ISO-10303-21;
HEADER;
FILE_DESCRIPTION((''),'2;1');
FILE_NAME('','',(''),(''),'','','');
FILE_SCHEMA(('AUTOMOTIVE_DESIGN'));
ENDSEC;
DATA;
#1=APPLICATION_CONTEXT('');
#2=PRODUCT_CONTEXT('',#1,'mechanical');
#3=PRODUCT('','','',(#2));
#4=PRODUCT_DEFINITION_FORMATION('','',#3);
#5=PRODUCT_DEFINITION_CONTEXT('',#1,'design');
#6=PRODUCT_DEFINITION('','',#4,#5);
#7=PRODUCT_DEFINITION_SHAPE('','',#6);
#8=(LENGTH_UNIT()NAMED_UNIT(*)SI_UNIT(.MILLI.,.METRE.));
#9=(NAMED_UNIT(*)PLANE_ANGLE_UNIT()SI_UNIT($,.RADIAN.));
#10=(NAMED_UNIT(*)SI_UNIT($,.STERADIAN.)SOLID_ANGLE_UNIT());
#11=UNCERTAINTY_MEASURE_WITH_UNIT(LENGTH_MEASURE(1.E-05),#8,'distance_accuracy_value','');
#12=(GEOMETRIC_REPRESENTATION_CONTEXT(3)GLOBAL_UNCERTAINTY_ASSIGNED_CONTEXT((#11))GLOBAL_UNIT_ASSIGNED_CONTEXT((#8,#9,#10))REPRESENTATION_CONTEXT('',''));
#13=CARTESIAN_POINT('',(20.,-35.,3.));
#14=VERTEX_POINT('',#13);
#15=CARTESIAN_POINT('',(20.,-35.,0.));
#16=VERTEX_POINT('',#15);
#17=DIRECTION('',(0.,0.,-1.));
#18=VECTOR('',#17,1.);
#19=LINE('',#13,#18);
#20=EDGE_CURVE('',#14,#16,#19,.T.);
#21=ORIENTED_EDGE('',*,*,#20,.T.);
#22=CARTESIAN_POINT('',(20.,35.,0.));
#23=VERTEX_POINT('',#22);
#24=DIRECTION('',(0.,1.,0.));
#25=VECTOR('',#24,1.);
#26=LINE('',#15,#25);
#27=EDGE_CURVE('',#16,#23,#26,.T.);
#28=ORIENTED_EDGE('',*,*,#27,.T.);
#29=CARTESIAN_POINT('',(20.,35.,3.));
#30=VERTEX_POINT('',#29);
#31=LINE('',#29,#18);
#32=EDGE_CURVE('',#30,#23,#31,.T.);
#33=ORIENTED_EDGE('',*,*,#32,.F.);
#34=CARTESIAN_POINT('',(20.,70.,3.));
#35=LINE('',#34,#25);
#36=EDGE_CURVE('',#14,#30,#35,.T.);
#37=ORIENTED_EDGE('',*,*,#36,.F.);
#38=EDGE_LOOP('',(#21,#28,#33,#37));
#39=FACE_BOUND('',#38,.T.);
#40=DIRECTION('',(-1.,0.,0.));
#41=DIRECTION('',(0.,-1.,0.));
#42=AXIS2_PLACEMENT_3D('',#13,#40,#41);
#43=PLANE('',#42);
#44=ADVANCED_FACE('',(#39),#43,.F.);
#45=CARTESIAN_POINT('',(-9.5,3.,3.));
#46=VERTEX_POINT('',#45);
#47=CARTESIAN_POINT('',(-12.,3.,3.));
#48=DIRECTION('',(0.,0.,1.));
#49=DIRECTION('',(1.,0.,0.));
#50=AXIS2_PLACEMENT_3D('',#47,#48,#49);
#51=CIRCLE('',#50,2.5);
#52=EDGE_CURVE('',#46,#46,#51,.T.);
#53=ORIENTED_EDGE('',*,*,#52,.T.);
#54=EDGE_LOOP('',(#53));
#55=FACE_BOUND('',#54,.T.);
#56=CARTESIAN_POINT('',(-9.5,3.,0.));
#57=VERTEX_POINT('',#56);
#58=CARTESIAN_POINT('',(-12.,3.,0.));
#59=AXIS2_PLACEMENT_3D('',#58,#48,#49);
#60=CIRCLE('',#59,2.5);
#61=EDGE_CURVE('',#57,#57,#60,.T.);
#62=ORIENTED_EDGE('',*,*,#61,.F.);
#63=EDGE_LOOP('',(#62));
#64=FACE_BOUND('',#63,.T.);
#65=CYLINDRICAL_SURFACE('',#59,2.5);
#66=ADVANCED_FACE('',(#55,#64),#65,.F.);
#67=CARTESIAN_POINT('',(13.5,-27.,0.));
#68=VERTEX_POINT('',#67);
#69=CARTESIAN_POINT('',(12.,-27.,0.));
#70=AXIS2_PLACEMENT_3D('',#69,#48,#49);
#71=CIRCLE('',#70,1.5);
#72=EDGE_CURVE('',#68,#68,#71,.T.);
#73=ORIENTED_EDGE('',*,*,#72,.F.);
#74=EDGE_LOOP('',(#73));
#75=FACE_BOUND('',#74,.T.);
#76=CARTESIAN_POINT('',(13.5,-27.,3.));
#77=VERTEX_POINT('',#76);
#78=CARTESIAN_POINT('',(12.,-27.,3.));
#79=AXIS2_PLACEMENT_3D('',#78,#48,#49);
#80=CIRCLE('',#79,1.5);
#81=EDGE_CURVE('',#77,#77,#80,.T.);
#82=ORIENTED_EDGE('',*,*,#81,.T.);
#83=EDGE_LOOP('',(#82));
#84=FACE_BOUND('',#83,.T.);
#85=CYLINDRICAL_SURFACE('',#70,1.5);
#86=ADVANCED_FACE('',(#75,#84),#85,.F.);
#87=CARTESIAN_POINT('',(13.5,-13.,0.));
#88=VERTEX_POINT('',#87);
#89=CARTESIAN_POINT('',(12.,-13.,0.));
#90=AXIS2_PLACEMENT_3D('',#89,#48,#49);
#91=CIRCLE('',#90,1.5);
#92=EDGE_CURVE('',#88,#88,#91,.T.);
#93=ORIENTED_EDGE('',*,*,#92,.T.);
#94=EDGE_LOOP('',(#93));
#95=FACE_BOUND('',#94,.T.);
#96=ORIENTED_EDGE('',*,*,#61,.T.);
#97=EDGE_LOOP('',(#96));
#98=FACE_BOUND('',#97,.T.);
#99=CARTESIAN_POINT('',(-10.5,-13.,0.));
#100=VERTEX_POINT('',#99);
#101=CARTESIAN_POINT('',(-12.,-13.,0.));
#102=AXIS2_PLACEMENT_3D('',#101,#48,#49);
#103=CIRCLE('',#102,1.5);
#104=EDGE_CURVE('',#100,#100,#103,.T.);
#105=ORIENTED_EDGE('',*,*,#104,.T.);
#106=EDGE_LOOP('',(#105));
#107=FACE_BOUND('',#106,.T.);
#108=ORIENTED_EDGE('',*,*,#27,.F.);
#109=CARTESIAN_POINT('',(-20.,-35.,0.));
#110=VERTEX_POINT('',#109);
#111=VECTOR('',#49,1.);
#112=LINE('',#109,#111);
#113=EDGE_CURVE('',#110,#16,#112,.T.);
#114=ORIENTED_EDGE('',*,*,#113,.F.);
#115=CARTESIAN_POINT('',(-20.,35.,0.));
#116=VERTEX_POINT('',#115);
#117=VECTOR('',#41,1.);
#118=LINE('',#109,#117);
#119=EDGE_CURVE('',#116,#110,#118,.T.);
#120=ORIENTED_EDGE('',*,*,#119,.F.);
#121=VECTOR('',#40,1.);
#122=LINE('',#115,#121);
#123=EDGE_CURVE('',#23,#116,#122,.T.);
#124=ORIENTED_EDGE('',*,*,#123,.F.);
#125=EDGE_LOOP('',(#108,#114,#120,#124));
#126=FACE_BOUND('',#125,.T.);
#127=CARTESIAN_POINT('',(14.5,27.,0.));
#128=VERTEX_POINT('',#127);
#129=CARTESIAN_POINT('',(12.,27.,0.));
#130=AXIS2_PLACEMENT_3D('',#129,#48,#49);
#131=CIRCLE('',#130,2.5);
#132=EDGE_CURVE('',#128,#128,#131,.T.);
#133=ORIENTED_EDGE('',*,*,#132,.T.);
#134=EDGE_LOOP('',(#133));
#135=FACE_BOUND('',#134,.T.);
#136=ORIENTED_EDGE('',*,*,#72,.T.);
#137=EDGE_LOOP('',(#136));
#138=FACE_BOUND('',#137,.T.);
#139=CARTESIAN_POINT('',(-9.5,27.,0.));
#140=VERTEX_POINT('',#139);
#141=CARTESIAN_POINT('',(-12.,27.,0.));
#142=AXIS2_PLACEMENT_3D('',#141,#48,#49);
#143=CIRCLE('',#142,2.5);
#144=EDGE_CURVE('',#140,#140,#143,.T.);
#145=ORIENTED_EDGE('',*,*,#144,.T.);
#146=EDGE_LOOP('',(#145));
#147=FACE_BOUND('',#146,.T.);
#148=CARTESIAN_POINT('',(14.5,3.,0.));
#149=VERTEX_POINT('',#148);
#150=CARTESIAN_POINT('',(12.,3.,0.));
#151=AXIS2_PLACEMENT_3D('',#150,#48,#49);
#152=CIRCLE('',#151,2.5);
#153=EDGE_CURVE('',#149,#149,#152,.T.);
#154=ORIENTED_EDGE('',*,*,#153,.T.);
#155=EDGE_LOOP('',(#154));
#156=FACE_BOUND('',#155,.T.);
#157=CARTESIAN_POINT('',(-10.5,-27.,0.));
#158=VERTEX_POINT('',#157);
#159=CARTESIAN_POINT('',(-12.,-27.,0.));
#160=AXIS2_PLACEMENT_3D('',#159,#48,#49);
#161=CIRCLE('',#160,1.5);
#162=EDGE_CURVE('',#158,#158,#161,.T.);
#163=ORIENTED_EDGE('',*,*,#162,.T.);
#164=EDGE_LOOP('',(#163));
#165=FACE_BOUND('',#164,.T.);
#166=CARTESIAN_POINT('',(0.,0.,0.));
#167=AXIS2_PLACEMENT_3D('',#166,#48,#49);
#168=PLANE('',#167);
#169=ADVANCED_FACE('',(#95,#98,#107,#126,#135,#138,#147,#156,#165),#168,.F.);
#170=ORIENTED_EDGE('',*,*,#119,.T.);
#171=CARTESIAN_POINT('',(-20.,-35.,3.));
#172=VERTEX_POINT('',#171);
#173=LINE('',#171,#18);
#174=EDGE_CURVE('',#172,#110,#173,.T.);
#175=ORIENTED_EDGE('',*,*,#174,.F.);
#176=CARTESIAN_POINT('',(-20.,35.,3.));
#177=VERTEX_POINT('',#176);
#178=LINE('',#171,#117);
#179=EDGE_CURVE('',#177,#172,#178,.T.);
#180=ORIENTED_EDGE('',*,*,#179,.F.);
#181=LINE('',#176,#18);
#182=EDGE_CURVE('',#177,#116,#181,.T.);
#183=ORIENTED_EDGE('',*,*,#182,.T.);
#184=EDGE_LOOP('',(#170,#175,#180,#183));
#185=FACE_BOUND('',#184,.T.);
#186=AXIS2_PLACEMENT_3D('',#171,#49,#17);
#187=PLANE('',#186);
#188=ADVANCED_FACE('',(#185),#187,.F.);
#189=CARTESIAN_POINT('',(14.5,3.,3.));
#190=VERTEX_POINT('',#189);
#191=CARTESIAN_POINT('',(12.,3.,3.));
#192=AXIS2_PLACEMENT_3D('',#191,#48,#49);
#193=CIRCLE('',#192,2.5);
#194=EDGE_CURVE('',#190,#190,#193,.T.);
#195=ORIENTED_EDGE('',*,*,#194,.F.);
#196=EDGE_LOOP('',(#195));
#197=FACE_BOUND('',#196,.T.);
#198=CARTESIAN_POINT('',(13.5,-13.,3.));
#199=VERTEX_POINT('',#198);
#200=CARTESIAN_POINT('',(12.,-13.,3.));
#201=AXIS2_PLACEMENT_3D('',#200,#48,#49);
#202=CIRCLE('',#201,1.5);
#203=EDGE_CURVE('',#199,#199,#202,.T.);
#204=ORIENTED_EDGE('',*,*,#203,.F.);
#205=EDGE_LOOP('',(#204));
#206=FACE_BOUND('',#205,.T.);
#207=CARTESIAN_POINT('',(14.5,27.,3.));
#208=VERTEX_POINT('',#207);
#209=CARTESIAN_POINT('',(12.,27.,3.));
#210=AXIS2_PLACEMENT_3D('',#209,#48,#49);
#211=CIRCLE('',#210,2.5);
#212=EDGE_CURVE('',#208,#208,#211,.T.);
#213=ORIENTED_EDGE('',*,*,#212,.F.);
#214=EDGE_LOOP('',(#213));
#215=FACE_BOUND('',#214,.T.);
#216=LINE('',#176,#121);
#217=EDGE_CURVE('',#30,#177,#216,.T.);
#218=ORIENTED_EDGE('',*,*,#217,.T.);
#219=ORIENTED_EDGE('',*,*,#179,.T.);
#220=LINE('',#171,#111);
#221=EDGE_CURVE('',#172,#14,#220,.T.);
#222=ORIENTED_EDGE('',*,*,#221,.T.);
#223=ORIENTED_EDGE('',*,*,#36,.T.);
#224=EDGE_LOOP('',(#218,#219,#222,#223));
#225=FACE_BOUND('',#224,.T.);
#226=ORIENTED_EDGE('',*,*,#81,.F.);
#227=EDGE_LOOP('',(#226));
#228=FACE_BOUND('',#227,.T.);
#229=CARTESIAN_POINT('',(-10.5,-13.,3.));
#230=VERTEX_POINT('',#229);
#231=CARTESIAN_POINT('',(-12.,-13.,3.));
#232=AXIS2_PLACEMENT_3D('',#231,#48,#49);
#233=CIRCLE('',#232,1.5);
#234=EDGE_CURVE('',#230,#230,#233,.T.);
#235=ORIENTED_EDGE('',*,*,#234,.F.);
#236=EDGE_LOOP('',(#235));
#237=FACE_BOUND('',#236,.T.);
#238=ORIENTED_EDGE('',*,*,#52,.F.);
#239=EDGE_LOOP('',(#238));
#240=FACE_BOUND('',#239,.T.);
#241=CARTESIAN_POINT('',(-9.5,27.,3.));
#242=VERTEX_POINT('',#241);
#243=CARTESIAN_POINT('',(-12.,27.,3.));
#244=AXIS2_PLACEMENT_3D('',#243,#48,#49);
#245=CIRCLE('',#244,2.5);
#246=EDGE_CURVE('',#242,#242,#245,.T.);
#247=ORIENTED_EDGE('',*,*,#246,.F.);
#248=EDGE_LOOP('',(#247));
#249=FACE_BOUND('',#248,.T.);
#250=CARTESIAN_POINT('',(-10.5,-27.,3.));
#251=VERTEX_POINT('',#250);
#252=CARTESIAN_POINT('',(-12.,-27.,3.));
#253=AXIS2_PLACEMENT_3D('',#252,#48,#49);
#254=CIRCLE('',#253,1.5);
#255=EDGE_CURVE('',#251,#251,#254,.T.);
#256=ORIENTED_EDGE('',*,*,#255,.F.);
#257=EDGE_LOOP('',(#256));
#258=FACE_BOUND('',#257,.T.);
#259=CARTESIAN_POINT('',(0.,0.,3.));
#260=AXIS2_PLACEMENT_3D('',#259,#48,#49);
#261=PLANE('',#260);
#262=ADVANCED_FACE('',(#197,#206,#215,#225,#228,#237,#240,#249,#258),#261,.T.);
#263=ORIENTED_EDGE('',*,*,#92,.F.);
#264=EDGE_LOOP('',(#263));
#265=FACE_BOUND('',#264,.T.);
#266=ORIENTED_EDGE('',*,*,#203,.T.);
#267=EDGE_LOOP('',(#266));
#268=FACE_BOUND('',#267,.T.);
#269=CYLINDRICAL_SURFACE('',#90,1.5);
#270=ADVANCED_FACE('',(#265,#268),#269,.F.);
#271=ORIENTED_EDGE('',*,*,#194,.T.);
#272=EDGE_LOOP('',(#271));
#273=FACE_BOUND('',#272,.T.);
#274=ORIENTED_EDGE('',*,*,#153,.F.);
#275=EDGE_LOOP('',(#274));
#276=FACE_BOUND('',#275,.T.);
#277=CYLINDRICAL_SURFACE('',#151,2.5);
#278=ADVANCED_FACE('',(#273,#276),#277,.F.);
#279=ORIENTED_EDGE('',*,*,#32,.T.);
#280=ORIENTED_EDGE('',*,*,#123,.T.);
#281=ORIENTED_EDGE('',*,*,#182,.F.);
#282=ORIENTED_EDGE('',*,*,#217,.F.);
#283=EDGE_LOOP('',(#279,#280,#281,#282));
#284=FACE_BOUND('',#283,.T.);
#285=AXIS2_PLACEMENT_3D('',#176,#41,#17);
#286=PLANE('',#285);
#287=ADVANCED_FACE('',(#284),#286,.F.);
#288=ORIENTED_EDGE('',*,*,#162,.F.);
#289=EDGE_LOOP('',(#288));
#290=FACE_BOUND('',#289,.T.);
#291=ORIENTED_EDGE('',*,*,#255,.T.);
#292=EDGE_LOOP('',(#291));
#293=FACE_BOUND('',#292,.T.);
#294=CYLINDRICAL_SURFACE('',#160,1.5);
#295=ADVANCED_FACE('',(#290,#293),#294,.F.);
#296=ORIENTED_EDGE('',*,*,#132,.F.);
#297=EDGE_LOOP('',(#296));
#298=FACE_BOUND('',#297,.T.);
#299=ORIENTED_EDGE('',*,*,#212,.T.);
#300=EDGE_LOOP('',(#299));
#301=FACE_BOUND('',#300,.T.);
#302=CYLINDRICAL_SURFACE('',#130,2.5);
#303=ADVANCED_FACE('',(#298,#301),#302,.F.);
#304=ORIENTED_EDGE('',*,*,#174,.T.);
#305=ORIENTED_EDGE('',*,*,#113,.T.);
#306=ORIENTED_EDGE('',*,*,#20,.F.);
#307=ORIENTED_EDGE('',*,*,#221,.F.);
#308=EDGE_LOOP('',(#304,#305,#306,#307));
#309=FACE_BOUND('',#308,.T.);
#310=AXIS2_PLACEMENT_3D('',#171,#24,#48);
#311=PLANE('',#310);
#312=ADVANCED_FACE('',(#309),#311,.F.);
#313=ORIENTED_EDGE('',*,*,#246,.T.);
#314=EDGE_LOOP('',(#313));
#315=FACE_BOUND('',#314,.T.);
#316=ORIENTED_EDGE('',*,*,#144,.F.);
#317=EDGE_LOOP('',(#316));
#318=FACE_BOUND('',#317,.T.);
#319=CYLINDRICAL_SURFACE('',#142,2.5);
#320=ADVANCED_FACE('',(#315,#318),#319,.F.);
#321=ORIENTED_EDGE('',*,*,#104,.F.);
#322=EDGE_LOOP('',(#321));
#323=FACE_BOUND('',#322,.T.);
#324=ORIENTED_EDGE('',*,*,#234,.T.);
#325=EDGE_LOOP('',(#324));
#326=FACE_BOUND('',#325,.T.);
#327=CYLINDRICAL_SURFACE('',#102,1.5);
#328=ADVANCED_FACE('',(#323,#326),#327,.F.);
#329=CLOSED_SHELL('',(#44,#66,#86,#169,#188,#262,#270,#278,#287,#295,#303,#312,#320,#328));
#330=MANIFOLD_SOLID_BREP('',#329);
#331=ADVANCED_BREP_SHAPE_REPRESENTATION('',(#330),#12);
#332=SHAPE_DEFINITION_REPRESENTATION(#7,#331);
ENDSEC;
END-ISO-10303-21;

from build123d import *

# Parameters (mm, degrees)
EXTRUDE_1_DEPTH     = 3
SKETCH_2_R          = 1.55
CUT_EXTRUDE_1_DEPTH = 73.862884928
SKETCH_3_R          = 1.5
SKETCH_3_R_2        = 2.5
CUT_EXTRUDE_2_DEPTH = 73.862884928
SKETCH_4_W          = 40
SKETCH_4_H          = 35
CUT_EXTRUDE_3_DEPTH = 73.862884928


with BuildPart() as part:
    # 草图1 → 凸台-拉伸1 (new body)
    with BuildSketch(Plane.XY):
        Polygon((-20, 35), (0, 70), (20, 70), (20, 35), (20, -35), (-20, -35), align=None)
    extrude(amount=EXTRUDE_1_DEPTH)

    # 草图2 → 切除-拉伸1 (cut, through all)
    with BuildSketch(Plane.XY.offset(3)):
        with Locations((17, 61)):
            Circle(SKETCH_2_R)
        with Locations((6, 61)):
            Circle(SKETCH_2_R)
        with Locations((17, 41)):
            Circle(SKETCH_2_R)
        with Locations((4.851224059, 41)):
            Circle(SKETCH_2_R)
    extrude(amount=-CUT_EXTRUDE_1_DEPTH, mode=Mode.SUBTRACT)

    # 草图3 → 切除-拉伸2 (cut, through all)
    with BuildSketch(Plane.XY.offset(3)):
        with Locations((12, -27)):
            Circle(SKETCH_3_R)
        with Locations((-12, -27)):
            Circle(SKETCH_3_R)
        with Locations((12, -13)):
            Circle(SKETCH_3_R)
        with Locations((-12, -13)):
            Circle(SKETCH_3_R)
        with Locations((12, 3)):
            Circle(SKETCH_3_R_2)
        with Locations((-12, 3)):
            Circle(SKETCH_3_R_2)
        with Locations((12, 27)):
            Circle(SKETCH_3_R_2)
        with Locations((-12, 27)):
            Circle(SKETCH_3_R_2)
    extrude(amount=-CUT_EXTRUDE_2_DEPTH, mode=Mode.SUBTRACT)

    # 草图4 → 切除-拉伸3 (cut, through all)
    with BuildSketch(Plane(origin=(0, 0, 0), x_dir=(-1, 0, 0), z_dir=(0, 0, -1))):
        with Locations((0, 52.5)):
            Rectangle(SKETCH_4_W, SKETCH_4_H)
    extrude(amount=-CUT_EXTRUDE_3_DEPTH, mode=Mode.SUBTRACT)


solid = part.part
